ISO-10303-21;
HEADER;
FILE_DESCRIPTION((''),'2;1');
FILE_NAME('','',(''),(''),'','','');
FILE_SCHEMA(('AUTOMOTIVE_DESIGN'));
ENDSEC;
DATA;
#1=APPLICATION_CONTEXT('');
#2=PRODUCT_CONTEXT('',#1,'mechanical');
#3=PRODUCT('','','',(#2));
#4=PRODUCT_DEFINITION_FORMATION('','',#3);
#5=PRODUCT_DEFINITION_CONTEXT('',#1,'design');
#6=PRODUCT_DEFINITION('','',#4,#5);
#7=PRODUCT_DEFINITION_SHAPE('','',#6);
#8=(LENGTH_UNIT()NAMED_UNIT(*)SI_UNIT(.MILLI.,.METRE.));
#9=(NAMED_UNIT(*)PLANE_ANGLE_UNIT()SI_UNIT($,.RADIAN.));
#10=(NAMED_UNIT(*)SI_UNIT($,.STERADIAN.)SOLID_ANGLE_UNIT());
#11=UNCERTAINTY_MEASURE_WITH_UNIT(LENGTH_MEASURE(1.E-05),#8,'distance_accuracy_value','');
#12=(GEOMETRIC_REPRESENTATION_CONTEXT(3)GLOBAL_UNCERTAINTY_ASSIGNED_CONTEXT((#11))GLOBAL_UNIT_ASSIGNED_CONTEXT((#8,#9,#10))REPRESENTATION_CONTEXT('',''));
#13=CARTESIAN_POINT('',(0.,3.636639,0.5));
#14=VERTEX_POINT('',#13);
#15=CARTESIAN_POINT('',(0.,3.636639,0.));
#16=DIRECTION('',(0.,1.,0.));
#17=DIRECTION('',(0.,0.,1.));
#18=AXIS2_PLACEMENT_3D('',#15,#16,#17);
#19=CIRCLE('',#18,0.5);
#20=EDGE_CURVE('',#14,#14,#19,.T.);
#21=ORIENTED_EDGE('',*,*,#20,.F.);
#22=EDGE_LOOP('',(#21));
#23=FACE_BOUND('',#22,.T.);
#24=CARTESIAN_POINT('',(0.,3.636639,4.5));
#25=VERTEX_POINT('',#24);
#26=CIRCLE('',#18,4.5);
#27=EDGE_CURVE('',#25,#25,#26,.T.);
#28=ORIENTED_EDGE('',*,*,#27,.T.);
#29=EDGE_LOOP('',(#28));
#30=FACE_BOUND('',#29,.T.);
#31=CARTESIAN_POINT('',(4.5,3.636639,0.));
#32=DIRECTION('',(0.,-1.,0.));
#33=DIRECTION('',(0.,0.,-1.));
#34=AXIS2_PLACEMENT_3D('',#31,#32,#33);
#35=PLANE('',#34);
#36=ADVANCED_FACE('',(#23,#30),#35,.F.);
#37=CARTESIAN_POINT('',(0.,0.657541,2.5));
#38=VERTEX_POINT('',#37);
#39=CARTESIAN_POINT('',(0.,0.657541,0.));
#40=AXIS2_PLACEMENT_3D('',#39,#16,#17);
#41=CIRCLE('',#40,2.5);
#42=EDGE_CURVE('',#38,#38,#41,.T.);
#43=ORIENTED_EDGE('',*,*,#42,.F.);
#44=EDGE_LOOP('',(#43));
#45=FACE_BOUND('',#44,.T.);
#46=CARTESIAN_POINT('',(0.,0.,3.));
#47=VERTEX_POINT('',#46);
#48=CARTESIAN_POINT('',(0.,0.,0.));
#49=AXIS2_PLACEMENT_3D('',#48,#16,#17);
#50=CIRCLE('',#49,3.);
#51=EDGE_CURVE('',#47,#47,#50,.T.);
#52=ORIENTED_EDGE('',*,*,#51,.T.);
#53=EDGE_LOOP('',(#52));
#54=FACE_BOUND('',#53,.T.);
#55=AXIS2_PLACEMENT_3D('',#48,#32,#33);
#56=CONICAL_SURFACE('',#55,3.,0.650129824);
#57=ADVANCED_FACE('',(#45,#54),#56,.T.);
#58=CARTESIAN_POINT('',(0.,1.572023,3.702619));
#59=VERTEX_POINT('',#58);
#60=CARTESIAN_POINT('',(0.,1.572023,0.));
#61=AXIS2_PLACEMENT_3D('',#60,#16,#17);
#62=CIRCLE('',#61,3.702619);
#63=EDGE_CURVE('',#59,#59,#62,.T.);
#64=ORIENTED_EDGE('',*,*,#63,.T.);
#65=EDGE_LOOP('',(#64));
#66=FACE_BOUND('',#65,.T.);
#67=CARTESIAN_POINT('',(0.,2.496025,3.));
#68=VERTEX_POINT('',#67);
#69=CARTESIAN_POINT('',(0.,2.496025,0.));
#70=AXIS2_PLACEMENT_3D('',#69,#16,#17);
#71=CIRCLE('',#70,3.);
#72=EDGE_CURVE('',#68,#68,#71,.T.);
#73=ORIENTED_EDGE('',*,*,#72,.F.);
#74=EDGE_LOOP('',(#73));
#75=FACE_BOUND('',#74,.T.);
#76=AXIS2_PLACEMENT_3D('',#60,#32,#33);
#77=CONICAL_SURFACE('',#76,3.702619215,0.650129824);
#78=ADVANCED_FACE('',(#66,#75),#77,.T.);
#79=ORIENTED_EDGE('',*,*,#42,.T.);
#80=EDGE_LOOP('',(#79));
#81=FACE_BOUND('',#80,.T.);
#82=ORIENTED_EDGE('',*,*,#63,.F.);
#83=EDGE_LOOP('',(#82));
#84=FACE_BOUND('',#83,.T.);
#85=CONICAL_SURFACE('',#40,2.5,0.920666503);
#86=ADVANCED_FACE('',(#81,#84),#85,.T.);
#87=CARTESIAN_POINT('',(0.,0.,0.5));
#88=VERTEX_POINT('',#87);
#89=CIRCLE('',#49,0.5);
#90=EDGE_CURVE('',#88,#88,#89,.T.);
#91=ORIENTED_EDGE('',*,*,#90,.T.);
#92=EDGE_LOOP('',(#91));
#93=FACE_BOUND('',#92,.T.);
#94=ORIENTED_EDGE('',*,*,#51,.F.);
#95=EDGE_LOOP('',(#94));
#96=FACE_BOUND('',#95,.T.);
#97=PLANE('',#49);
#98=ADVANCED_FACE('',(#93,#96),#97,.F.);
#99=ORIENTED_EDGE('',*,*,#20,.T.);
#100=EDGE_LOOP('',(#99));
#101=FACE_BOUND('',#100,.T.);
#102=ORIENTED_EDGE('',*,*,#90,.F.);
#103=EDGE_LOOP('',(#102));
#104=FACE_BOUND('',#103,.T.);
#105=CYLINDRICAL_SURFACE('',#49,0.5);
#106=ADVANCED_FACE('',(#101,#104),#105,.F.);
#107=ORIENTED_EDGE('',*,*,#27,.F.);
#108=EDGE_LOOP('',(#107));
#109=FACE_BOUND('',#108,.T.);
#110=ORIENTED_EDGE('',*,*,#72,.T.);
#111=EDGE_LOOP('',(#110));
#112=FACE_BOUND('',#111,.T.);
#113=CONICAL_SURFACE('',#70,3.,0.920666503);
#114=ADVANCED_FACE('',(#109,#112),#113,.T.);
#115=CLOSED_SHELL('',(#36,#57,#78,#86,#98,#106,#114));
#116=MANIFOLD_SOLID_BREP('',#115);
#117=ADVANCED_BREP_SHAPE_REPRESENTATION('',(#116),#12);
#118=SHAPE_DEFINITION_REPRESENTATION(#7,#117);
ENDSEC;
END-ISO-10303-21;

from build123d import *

# Parameters (mm, degrees)
SKETCH2_R          = 0.5
CUT_EXTRUDE1_DEPTH = 8.329743599


with BuildPart() as part:
    # Sketch1 → Revolve1 (revolve)
    with BuildSketch(Plane.XY, mode=Mode.PRIVATE) as revolve1_sk:
        Polygon((0, 0), (3, 0), (2.5, 0.657540642), (3.702619215, 1.572023442), (3, 2.496024821), (4.5, 3.636638726), (0, 3.636638726), align=None)
    revolve(revolve1_sk.sketch.rotate(Axis((0, 3.636638726, 0), (0, -1, 0)), 90), axis=Axis((0, 3.636638726, 0), (0, -1, 0)))

    # Sketch2 → Cut-Extrude1 (cut, through all)
    with BuildSketch(Plane(origin=(0, 3.636638726, 0), x_dir=(1, 0, 0), z_dir=(0, 1, 0))):
        with Locations(Location((0, 0, 0), (0, 0, 270))):
            Circle(SKETCH2_R)
    extrude(amount=-CUT_EXTRUDE1_DEPTH, mode=Mode.SUBTRACT)


solid = part.part
